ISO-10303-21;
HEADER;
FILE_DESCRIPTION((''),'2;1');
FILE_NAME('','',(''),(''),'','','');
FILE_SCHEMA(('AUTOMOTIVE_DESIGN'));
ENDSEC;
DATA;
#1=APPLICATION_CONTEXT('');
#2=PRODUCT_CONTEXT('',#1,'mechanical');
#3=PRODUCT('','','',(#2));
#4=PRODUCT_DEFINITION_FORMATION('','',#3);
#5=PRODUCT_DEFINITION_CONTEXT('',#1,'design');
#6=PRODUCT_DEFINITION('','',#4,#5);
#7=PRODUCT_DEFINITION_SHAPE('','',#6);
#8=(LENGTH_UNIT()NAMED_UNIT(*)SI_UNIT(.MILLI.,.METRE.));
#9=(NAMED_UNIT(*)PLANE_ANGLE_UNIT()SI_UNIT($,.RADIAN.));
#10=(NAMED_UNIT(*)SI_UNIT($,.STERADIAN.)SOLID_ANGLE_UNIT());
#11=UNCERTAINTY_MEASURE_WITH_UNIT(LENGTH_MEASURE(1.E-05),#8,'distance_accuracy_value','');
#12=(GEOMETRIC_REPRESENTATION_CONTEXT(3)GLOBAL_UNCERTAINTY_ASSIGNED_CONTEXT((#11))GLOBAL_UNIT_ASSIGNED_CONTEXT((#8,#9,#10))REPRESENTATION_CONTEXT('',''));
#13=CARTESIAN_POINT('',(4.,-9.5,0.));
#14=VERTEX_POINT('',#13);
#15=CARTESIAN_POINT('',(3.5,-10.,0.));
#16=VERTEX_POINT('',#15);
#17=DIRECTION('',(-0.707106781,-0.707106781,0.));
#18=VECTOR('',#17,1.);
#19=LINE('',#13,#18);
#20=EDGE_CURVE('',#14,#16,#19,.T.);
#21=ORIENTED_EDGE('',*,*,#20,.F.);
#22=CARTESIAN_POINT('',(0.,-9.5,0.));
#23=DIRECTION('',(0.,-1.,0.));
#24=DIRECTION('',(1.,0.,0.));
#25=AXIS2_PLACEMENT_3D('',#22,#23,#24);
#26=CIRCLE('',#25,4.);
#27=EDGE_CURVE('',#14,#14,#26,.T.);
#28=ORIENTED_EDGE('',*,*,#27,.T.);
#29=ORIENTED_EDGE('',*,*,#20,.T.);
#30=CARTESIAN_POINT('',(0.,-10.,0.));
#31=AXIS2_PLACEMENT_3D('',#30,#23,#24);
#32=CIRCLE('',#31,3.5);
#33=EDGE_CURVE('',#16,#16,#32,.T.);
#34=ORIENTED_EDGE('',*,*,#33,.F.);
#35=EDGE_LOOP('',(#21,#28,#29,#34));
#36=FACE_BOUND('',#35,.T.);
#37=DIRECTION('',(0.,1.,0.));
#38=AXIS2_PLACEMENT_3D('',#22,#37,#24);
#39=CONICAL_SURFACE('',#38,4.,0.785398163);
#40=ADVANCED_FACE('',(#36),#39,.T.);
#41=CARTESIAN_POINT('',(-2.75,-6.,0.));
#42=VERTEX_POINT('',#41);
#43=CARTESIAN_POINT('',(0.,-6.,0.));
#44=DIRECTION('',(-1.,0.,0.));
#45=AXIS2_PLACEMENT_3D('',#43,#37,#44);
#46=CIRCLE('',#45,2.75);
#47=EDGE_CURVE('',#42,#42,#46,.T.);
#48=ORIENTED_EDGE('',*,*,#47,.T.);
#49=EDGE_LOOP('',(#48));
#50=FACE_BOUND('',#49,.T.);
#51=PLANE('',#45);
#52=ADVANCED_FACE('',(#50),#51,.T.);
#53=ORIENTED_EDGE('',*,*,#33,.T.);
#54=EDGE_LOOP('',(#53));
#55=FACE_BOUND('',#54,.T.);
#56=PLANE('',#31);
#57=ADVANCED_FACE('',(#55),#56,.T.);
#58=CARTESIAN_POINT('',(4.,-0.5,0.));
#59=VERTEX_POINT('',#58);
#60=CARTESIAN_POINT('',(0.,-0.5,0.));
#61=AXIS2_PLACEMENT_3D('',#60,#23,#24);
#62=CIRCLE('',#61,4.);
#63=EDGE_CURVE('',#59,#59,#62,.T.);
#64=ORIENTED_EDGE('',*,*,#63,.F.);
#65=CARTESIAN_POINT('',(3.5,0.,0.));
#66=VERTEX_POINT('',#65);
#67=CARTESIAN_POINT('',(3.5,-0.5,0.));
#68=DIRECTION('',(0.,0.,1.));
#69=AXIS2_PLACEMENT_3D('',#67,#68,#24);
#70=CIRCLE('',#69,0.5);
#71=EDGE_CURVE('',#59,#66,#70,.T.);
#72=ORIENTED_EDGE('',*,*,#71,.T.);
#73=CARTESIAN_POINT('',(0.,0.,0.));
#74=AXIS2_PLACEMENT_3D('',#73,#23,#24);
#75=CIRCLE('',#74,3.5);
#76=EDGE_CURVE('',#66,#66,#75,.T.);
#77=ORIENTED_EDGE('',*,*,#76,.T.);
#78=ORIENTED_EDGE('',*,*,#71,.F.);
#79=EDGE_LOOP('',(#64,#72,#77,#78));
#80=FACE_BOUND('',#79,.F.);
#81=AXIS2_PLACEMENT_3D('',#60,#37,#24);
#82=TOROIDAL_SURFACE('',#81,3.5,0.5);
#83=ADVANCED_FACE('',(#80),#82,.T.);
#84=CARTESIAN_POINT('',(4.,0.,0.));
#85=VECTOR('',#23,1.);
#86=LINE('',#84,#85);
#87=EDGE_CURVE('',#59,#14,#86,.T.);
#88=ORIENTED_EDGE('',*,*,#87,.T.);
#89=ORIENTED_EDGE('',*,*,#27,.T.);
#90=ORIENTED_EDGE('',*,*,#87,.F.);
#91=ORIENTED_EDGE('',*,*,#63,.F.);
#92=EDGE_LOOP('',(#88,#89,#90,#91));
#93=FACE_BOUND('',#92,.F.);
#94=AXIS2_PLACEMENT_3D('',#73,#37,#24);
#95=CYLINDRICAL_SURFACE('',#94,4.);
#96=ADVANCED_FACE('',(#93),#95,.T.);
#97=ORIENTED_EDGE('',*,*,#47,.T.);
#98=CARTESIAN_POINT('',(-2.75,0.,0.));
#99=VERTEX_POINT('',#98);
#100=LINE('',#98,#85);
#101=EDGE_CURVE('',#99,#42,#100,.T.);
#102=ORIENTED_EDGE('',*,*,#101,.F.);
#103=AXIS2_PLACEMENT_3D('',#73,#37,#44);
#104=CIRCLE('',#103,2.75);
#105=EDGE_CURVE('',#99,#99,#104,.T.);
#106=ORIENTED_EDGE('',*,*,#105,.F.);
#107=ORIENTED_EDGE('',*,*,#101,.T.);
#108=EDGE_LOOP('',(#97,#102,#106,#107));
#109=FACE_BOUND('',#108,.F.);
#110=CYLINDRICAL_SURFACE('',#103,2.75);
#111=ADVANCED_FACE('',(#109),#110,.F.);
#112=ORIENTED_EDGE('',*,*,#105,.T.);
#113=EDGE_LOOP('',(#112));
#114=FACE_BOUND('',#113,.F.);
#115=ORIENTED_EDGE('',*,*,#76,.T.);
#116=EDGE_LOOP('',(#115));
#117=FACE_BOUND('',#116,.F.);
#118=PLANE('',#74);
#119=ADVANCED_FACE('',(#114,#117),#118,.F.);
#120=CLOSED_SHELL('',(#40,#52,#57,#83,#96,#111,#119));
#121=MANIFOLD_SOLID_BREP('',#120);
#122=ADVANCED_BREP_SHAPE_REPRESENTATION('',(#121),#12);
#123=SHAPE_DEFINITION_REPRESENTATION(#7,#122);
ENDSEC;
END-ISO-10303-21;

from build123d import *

# Parameters (mm, degrees)
F0_R     = 4
F1_DEPTH = 10
F2_SIZE  = 0.5
F3_R     = 2.75
F4_DEPTH = 6
F5_R     = 0.5


with BuildPart() as f1:
    # F0 (on Front) → F1 (new body)
    with BuildSketch(Plane.XZ):
        Circle(F0_R)
    extrude(amount=F1_DEPTH)

    # F2
    f2_edges = [f1.edges().sort_by_distance(p)[0] for p in [
        (-4, -10, 0),
    ]]
    chamfer(f2_edges, length=F2_SIZE)

    # F3 (on face) → F4 (cut)
    with BuildSketch(Plane(origin=(0, 0, 0), x_dir=(-1, 0, 0), z_dir=(0, 1, 0))):
        Circle(F3_R)
    extrude(amount=-F4_DEPTH, mode=Mode.SUBTRACT)

    # F5
    f5_edges = [f1.edges().sort_by_distance(p)[0] for p in [
        (-4, 0, 0),
    ]]
    fillet(f5_edges, radius=F5_R)


solid = f1.part
